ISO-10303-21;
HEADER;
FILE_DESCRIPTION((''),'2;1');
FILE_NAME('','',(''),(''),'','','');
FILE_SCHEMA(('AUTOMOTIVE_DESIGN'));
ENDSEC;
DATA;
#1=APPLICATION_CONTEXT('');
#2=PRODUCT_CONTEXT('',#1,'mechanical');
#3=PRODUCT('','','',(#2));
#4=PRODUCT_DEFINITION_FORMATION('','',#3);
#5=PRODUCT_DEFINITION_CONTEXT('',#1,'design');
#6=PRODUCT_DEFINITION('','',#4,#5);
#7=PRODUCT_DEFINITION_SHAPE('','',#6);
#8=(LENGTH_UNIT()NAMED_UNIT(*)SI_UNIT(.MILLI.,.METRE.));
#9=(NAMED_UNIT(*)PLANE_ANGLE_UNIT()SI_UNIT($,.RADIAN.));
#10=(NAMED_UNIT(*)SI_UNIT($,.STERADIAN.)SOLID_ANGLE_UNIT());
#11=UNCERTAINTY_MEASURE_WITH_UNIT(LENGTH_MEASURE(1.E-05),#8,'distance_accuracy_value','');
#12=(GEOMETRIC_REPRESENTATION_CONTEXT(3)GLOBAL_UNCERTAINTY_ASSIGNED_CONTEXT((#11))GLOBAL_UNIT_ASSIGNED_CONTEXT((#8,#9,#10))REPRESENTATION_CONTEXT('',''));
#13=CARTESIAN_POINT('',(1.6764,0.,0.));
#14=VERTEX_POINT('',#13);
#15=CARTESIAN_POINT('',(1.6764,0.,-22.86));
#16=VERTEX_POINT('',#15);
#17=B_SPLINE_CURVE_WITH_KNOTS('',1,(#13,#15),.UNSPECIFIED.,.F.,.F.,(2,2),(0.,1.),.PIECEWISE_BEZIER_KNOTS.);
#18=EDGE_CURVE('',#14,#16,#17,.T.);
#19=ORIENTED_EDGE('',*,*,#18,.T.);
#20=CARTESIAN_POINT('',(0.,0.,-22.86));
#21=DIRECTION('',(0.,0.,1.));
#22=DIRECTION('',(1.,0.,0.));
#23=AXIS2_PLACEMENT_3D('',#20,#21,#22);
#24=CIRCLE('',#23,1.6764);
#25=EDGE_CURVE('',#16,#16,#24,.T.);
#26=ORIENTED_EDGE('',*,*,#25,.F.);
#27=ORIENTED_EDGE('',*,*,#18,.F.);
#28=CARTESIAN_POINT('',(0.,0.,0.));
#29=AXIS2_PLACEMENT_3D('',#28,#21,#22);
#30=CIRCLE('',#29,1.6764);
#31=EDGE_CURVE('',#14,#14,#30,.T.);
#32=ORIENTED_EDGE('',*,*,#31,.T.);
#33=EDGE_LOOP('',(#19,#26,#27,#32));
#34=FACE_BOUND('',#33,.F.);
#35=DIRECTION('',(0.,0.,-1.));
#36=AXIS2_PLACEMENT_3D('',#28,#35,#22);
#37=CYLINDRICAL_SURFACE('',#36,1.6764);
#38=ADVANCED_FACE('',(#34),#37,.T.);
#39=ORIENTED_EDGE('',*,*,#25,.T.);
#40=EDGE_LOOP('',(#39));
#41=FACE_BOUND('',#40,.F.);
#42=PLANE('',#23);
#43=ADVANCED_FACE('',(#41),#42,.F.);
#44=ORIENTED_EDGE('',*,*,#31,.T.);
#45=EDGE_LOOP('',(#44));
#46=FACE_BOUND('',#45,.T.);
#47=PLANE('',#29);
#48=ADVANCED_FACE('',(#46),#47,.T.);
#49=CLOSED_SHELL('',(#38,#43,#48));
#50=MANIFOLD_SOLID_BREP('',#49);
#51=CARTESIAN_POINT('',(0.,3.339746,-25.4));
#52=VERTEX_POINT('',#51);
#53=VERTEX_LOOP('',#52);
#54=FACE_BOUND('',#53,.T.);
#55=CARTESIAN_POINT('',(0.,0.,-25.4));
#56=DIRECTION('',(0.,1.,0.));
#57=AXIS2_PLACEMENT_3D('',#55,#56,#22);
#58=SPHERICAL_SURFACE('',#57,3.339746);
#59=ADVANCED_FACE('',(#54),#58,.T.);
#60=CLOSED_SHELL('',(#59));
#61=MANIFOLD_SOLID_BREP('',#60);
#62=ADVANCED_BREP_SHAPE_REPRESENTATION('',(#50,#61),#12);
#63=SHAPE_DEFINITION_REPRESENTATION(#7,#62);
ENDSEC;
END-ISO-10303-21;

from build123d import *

# Parameters (mm, degrees)
F0_R = 1.6764
F2_R = 1.6764


with BuildPart() as f4:
    # F0 (on Top) → F4 section 0
    with BuildSketch(Plane.XY):
        Circle(F0_R)
    # F2 (on offset) → F4 section 1
    with BuildSketch(Plane.XY.offset(-22.86)):
        Circle(F2_R)
    loft()


with BuildPart() as f6:
    # F5 (on offset) → F6 (revolve)
    with BuildSketch(Plane.XY.offset(-25.4)):
        with BuildLine():
            Line((0, 0), (0, -3.339746))
            ThreePointArc((0, -3.339746), (3.339746, 0), (0, 3.339746))
            Line((0, 3.339746), (0, 0))
        make_face()
    revolve(axis=Axis((0, 1.669873, -25.4), (0, 1, 0)))


solid = Compound([f4.part, f6.part])
